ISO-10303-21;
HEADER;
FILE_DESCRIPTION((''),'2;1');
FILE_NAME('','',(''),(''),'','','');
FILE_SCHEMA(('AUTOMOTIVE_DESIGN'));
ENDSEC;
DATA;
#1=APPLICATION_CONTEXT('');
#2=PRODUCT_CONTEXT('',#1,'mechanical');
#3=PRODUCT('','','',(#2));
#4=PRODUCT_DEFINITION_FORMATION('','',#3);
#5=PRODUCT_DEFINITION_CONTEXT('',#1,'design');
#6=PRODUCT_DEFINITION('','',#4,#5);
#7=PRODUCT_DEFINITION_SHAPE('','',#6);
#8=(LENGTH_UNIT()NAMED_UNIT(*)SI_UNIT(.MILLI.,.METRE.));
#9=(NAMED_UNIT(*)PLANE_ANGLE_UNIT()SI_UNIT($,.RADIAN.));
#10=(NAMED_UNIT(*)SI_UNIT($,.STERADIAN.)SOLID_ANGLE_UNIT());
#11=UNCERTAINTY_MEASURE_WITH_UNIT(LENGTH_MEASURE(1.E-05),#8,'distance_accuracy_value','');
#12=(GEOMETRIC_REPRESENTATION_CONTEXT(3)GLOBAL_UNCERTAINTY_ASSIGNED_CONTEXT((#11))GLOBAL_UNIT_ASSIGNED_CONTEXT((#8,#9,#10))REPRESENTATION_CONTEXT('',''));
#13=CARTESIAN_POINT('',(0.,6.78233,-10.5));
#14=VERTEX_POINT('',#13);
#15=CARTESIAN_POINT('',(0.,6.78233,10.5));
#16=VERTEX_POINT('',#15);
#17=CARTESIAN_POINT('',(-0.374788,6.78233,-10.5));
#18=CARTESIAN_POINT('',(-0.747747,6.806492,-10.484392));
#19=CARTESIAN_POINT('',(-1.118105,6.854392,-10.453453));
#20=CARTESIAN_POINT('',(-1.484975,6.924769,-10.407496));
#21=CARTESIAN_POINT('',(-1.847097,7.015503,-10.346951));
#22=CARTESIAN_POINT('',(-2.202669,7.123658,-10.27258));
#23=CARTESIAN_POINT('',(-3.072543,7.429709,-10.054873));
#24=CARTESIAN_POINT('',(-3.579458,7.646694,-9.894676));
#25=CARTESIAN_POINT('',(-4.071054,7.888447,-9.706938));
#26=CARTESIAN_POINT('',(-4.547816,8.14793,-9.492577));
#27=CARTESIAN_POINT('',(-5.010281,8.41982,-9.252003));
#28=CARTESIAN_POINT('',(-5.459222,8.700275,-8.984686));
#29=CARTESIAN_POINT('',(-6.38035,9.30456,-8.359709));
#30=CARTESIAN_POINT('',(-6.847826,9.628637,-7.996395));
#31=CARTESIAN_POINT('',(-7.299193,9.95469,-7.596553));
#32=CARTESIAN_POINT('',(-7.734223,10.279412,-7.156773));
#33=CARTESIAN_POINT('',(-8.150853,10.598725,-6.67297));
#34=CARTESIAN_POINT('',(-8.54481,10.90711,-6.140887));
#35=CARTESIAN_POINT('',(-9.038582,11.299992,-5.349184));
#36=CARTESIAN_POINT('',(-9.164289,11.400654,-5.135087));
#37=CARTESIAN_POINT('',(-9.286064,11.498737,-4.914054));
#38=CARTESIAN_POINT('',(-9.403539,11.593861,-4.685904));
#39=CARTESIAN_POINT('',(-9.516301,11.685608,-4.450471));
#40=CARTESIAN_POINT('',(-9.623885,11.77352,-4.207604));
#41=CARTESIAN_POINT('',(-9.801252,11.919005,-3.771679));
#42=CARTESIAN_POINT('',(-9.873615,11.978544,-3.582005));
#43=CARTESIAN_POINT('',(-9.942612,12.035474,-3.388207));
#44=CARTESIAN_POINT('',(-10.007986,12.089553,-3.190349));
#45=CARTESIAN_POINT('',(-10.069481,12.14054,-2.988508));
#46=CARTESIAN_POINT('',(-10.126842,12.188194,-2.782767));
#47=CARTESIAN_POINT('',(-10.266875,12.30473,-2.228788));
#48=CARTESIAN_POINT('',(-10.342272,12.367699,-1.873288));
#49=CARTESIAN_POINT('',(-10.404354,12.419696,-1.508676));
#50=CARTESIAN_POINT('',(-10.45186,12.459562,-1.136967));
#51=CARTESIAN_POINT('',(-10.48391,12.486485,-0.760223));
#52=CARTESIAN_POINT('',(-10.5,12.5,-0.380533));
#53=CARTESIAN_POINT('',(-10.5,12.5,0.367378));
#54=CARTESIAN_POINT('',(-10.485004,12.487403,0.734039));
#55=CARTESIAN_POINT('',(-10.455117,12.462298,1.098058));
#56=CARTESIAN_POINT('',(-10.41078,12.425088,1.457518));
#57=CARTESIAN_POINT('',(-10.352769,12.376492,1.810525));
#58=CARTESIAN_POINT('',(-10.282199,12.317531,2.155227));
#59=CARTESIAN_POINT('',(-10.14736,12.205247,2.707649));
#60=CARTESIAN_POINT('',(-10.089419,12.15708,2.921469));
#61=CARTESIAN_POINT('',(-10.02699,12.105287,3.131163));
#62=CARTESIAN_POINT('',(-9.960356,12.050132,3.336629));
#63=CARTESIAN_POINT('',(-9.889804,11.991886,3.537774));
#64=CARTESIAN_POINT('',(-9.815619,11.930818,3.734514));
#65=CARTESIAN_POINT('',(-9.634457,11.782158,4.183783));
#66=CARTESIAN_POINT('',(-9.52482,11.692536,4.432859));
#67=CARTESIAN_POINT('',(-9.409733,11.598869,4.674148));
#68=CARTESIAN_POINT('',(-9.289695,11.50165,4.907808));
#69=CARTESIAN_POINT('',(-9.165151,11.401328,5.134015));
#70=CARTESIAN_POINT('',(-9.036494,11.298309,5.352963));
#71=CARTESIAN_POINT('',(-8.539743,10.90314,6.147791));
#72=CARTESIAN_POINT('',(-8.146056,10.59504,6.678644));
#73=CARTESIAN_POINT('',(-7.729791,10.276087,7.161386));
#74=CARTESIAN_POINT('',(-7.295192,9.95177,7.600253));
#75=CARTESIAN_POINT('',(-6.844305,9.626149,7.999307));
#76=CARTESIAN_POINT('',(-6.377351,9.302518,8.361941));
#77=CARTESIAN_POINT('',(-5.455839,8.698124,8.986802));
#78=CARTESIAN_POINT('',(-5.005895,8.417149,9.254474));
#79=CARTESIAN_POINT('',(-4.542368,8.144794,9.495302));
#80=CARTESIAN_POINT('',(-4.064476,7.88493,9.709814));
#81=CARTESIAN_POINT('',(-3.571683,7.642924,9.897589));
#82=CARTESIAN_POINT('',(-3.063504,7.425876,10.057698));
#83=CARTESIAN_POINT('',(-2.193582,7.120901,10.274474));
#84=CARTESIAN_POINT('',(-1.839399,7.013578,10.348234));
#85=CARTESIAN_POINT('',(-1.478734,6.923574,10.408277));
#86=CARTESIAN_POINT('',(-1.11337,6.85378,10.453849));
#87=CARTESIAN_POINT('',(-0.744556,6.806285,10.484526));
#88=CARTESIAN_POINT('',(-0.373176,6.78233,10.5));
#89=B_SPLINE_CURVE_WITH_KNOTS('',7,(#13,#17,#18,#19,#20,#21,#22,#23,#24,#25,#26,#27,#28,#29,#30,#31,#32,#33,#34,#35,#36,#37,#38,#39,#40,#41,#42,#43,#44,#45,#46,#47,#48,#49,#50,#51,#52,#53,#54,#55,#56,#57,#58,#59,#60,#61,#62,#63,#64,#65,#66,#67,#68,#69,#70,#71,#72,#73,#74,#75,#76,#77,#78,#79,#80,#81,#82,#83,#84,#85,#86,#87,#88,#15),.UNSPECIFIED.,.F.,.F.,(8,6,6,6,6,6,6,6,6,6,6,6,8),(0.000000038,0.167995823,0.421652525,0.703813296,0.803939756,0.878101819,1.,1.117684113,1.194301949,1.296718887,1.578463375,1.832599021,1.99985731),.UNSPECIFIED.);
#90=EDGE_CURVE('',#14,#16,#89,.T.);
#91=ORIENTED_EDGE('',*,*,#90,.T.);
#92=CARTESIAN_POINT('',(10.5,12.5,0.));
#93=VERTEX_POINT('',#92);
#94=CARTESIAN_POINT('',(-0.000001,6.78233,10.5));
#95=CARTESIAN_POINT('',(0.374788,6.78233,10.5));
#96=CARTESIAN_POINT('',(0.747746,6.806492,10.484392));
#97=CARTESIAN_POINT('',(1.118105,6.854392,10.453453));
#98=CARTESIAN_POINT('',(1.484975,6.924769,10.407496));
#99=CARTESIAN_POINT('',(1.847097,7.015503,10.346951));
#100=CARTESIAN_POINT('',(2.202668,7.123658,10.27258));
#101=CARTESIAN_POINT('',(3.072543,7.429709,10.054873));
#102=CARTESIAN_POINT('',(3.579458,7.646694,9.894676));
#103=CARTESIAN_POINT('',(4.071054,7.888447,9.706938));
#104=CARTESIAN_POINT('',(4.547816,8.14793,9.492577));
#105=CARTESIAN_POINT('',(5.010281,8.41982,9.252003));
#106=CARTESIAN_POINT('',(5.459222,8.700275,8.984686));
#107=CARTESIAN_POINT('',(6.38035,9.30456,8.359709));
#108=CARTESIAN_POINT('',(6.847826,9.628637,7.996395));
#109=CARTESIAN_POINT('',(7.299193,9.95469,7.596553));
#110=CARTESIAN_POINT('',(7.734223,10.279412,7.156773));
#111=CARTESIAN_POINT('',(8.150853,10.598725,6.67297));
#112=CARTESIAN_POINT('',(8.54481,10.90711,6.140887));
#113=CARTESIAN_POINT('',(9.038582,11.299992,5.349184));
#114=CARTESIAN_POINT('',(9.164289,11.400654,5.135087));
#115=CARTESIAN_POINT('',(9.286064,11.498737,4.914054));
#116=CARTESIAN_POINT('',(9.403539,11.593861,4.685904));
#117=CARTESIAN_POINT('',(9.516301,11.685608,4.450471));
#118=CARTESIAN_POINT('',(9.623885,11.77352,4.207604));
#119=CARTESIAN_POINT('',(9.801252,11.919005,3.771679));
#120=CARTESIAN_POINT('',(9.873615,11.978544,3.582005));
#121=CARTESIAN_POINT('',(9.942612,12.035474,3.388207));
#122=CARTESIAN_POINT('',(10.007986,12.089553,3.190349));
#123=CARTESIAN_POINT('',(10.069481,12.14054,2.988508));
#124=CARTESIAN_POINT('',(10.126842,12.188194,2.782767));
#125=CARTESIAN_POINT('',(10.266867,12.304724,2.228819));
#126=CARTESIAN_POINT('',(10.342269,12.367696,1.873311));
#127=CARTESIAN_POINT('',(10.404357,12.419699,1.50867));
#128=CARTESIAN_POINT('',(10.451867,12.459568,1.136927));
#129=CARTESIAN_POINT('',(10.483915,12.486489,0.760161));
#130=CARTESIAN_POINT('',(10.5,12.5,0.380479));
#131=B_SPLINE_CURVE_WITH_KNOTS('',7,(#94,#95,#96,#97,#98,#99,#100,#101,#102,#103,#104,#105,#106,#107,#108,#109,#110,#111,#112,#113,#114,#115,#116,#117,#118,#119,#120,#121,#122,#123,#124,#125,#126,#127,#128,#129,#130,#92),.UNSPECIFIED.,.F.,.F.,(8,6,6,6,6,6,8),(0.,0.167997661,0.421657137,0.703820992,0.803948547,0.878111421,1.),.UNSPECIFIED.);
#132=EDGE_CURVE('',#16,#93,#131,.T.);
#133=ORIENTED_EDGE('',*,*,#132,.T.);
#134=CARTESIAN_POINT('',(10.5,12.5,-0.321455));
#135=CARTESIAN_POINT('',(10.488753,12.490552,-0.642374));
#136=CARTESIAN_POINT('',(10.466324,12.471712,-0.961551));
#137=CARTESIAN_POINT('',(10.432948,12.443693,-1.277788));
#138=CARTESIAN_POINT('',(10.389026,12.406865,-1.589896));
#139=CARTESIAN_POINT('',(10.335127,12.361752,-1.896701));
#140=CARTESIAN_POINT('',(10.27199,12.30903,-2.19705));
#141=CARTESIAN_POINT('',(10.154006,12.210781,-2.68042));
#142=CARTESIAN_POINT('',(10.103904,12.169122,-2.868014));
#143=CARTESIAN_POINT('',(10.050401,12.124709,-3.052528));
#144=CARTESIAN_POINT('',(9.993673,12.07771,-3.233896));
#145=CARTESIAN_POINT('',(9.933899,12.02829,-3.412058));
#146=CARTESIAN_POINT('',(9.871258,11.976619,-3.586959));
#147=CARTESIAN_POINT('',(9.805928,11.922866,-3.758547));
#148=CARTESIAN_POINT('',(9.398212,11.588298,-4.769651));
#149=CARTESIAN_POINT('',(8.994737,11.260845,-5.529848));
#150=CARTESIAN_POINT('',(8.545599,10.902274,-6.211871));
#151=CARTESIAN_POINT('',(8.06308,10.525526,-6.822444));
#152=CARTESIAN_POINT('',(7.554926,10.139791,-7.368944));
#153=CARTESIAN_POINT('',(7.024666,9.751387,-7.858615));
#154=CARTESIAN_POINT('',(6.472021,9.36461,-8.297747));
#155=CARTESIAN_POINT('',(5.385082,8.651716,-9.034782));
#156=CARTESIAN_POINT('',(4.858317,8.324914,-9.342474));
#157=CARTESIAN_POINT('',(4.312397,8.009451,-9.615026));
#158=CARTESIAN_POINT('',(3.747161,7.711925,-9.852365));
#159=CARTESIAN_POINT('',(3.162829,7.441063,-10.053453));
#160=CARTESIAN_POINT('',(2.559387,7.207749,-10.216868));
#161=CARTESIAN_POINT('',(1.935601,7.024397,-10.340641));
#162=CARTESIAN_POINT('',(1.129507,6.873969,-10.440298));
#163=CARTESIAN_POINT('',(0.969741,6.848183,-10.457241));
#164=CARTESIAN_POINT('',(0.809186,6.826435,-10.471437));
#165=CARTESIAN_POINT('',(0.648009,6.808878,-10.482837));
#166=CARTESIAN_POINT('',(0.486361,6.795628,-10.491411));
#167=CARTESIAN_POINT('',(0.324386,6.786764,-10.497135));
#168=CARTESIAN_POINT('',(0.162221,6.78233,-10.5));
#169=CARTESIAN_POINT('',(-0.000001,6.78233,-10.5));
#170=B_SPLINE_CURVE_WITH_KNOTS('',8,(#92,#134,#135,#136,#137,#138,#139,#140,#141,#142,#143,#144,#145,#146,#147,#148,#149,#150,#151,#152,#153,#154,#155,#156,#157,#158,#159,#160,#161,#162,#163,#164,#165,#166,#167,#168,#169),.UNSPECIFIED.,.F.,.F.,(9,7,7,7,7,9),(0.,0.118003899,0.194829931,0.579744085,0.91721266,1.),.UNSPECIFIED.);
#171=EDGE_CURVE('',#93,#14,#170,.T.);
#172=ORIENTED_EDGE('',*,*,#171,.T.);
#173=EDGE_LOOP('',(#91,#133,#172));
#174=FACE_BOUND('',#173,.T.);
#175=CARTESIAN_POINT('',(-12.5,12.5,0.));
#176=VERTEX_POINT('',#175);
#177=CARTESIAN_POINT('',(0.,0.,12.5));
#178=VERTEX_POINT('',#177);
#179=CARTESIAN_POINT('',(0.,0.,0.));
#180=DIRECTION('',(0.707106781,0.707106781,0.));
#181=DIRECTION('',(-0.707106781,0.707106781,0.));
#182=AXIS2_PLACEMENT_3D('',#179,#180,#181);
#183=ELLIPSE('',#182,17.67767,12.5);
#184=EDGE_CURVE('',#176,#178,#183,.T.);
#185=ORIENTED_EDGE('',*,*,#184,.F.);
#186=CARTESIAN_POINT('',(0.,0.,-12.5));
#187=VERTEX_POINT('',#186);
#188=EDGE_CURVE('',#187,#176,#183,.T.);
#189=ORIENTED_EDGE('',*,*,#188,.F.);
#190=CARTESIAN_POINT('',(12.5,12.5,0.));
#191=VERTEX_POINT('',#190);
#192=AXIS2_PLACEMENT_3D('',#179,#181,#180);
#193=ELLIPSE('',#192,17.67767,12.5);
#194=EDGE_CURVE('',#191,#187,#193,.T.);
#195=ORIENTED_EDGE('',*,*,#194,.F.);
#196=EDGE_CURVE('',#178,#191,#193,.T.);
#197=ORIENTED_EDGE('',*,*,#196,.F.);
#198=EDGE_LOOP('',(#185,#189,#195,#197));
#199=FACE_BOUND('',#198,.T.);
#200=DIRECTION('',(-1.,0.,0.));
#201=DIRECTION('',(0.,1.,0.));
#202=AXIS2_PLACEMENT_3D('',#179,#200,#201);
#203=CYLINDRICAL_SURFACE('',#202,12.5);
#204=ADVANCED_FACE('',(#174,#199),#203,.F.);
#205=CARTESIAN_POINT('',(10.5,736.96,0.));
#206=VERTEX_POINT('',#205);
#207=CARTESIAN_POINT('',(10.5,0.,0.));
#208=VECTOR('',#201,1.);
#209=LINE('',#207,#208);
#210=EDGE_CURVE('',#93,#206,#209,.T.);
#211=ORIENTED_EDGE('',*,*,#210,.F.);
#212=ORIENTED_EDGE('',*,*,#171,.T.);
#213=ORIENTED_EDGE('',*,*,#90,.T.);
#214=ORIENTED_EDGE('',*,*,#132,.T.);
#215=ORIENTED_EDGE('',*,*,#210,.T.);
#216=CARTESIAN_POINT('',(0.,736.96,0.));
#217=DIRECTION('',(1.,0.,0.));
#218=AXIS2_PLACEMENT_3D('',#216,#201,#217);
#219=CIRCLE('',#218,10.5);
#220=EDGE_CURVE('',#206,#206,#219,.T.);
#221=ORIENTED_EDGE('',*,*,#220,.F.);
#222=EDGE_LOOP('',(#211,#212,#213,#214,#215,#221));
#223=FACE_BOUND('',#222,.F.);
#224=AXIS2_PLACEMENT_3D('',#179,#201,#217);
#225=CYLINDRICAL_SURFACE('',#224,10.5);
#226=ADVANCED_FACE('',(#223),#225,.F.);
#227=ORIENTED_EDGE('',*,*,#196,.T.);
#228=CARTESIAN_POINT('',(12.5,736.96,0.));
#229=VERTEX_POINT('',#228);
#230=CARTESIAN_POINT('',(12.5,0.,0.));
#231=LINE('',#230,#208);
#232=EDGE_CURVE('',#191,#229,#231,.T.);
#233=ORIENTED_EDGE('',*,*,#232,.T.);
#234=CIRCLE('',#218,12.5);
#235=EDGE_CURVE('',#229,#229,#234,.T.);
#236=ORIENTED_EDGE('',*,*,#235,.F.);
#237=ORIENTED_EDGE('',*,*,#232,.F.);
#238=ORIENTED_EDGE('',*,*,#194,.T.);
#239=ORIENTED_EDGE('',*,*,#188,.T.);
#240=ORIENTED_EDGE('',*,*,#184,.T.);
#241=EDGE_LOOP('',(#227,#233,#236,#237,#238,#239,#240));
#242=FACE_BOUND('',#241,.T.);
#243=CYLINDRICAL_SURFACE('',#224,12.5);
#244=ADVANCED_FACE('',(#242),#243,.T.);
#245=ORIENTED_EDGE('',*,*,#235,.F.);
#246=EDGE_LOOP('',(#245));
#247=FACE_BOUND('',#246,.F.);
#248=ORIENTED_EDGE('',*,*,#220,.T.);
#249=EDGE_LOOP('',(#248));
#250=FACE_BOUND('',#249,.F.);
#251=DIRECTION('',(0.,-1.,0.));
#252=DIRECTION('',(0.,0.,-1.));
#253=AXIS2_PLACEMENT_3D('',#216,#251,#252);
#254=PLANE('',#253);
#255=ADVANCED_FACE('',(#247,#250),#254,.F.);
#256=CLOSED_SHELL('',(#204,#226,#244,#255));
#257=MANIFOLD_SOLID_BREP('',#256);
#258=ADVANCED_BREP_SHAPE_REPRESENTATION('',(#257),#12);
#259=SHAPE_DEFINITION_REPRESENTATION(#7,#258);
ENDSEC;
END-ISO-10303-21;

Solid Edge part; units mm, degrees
sketch "Sketch1" plane through (0, 0, 0) normal (0, 0, 1) x (1, 0, 0)
  line L0 (0, 0) -> (0, 736.96)
  dimension "D1" = 736.96
sketch "Sketch2" plane through (0, 0, 0) normal (0, -1, 0) x (1, 0, 0)
  circle A0 centre (0, 0) radius 12.5
  dimension "D1" = 25
sweep "SweptProtrusion_1" add profiles "Sketch2" path "Sketch1"
shell "Thinwall_1" thickness 2 removed faces 2 at (-8.0833, 0, 8.5833) at (-8.0833, 736.96, 8.5833)
sketch "Sketch3" plane through (0, 0, 0) normal (1, 0, 0) x (0, 1, 0)
  circle A0 centre (0, 0) radius 12.5
  dimension "D1" = 25
extrude "Cutout1" cut sketch "Sketch3" along normal through all and the other way through all
properties material "Stainless steel"
